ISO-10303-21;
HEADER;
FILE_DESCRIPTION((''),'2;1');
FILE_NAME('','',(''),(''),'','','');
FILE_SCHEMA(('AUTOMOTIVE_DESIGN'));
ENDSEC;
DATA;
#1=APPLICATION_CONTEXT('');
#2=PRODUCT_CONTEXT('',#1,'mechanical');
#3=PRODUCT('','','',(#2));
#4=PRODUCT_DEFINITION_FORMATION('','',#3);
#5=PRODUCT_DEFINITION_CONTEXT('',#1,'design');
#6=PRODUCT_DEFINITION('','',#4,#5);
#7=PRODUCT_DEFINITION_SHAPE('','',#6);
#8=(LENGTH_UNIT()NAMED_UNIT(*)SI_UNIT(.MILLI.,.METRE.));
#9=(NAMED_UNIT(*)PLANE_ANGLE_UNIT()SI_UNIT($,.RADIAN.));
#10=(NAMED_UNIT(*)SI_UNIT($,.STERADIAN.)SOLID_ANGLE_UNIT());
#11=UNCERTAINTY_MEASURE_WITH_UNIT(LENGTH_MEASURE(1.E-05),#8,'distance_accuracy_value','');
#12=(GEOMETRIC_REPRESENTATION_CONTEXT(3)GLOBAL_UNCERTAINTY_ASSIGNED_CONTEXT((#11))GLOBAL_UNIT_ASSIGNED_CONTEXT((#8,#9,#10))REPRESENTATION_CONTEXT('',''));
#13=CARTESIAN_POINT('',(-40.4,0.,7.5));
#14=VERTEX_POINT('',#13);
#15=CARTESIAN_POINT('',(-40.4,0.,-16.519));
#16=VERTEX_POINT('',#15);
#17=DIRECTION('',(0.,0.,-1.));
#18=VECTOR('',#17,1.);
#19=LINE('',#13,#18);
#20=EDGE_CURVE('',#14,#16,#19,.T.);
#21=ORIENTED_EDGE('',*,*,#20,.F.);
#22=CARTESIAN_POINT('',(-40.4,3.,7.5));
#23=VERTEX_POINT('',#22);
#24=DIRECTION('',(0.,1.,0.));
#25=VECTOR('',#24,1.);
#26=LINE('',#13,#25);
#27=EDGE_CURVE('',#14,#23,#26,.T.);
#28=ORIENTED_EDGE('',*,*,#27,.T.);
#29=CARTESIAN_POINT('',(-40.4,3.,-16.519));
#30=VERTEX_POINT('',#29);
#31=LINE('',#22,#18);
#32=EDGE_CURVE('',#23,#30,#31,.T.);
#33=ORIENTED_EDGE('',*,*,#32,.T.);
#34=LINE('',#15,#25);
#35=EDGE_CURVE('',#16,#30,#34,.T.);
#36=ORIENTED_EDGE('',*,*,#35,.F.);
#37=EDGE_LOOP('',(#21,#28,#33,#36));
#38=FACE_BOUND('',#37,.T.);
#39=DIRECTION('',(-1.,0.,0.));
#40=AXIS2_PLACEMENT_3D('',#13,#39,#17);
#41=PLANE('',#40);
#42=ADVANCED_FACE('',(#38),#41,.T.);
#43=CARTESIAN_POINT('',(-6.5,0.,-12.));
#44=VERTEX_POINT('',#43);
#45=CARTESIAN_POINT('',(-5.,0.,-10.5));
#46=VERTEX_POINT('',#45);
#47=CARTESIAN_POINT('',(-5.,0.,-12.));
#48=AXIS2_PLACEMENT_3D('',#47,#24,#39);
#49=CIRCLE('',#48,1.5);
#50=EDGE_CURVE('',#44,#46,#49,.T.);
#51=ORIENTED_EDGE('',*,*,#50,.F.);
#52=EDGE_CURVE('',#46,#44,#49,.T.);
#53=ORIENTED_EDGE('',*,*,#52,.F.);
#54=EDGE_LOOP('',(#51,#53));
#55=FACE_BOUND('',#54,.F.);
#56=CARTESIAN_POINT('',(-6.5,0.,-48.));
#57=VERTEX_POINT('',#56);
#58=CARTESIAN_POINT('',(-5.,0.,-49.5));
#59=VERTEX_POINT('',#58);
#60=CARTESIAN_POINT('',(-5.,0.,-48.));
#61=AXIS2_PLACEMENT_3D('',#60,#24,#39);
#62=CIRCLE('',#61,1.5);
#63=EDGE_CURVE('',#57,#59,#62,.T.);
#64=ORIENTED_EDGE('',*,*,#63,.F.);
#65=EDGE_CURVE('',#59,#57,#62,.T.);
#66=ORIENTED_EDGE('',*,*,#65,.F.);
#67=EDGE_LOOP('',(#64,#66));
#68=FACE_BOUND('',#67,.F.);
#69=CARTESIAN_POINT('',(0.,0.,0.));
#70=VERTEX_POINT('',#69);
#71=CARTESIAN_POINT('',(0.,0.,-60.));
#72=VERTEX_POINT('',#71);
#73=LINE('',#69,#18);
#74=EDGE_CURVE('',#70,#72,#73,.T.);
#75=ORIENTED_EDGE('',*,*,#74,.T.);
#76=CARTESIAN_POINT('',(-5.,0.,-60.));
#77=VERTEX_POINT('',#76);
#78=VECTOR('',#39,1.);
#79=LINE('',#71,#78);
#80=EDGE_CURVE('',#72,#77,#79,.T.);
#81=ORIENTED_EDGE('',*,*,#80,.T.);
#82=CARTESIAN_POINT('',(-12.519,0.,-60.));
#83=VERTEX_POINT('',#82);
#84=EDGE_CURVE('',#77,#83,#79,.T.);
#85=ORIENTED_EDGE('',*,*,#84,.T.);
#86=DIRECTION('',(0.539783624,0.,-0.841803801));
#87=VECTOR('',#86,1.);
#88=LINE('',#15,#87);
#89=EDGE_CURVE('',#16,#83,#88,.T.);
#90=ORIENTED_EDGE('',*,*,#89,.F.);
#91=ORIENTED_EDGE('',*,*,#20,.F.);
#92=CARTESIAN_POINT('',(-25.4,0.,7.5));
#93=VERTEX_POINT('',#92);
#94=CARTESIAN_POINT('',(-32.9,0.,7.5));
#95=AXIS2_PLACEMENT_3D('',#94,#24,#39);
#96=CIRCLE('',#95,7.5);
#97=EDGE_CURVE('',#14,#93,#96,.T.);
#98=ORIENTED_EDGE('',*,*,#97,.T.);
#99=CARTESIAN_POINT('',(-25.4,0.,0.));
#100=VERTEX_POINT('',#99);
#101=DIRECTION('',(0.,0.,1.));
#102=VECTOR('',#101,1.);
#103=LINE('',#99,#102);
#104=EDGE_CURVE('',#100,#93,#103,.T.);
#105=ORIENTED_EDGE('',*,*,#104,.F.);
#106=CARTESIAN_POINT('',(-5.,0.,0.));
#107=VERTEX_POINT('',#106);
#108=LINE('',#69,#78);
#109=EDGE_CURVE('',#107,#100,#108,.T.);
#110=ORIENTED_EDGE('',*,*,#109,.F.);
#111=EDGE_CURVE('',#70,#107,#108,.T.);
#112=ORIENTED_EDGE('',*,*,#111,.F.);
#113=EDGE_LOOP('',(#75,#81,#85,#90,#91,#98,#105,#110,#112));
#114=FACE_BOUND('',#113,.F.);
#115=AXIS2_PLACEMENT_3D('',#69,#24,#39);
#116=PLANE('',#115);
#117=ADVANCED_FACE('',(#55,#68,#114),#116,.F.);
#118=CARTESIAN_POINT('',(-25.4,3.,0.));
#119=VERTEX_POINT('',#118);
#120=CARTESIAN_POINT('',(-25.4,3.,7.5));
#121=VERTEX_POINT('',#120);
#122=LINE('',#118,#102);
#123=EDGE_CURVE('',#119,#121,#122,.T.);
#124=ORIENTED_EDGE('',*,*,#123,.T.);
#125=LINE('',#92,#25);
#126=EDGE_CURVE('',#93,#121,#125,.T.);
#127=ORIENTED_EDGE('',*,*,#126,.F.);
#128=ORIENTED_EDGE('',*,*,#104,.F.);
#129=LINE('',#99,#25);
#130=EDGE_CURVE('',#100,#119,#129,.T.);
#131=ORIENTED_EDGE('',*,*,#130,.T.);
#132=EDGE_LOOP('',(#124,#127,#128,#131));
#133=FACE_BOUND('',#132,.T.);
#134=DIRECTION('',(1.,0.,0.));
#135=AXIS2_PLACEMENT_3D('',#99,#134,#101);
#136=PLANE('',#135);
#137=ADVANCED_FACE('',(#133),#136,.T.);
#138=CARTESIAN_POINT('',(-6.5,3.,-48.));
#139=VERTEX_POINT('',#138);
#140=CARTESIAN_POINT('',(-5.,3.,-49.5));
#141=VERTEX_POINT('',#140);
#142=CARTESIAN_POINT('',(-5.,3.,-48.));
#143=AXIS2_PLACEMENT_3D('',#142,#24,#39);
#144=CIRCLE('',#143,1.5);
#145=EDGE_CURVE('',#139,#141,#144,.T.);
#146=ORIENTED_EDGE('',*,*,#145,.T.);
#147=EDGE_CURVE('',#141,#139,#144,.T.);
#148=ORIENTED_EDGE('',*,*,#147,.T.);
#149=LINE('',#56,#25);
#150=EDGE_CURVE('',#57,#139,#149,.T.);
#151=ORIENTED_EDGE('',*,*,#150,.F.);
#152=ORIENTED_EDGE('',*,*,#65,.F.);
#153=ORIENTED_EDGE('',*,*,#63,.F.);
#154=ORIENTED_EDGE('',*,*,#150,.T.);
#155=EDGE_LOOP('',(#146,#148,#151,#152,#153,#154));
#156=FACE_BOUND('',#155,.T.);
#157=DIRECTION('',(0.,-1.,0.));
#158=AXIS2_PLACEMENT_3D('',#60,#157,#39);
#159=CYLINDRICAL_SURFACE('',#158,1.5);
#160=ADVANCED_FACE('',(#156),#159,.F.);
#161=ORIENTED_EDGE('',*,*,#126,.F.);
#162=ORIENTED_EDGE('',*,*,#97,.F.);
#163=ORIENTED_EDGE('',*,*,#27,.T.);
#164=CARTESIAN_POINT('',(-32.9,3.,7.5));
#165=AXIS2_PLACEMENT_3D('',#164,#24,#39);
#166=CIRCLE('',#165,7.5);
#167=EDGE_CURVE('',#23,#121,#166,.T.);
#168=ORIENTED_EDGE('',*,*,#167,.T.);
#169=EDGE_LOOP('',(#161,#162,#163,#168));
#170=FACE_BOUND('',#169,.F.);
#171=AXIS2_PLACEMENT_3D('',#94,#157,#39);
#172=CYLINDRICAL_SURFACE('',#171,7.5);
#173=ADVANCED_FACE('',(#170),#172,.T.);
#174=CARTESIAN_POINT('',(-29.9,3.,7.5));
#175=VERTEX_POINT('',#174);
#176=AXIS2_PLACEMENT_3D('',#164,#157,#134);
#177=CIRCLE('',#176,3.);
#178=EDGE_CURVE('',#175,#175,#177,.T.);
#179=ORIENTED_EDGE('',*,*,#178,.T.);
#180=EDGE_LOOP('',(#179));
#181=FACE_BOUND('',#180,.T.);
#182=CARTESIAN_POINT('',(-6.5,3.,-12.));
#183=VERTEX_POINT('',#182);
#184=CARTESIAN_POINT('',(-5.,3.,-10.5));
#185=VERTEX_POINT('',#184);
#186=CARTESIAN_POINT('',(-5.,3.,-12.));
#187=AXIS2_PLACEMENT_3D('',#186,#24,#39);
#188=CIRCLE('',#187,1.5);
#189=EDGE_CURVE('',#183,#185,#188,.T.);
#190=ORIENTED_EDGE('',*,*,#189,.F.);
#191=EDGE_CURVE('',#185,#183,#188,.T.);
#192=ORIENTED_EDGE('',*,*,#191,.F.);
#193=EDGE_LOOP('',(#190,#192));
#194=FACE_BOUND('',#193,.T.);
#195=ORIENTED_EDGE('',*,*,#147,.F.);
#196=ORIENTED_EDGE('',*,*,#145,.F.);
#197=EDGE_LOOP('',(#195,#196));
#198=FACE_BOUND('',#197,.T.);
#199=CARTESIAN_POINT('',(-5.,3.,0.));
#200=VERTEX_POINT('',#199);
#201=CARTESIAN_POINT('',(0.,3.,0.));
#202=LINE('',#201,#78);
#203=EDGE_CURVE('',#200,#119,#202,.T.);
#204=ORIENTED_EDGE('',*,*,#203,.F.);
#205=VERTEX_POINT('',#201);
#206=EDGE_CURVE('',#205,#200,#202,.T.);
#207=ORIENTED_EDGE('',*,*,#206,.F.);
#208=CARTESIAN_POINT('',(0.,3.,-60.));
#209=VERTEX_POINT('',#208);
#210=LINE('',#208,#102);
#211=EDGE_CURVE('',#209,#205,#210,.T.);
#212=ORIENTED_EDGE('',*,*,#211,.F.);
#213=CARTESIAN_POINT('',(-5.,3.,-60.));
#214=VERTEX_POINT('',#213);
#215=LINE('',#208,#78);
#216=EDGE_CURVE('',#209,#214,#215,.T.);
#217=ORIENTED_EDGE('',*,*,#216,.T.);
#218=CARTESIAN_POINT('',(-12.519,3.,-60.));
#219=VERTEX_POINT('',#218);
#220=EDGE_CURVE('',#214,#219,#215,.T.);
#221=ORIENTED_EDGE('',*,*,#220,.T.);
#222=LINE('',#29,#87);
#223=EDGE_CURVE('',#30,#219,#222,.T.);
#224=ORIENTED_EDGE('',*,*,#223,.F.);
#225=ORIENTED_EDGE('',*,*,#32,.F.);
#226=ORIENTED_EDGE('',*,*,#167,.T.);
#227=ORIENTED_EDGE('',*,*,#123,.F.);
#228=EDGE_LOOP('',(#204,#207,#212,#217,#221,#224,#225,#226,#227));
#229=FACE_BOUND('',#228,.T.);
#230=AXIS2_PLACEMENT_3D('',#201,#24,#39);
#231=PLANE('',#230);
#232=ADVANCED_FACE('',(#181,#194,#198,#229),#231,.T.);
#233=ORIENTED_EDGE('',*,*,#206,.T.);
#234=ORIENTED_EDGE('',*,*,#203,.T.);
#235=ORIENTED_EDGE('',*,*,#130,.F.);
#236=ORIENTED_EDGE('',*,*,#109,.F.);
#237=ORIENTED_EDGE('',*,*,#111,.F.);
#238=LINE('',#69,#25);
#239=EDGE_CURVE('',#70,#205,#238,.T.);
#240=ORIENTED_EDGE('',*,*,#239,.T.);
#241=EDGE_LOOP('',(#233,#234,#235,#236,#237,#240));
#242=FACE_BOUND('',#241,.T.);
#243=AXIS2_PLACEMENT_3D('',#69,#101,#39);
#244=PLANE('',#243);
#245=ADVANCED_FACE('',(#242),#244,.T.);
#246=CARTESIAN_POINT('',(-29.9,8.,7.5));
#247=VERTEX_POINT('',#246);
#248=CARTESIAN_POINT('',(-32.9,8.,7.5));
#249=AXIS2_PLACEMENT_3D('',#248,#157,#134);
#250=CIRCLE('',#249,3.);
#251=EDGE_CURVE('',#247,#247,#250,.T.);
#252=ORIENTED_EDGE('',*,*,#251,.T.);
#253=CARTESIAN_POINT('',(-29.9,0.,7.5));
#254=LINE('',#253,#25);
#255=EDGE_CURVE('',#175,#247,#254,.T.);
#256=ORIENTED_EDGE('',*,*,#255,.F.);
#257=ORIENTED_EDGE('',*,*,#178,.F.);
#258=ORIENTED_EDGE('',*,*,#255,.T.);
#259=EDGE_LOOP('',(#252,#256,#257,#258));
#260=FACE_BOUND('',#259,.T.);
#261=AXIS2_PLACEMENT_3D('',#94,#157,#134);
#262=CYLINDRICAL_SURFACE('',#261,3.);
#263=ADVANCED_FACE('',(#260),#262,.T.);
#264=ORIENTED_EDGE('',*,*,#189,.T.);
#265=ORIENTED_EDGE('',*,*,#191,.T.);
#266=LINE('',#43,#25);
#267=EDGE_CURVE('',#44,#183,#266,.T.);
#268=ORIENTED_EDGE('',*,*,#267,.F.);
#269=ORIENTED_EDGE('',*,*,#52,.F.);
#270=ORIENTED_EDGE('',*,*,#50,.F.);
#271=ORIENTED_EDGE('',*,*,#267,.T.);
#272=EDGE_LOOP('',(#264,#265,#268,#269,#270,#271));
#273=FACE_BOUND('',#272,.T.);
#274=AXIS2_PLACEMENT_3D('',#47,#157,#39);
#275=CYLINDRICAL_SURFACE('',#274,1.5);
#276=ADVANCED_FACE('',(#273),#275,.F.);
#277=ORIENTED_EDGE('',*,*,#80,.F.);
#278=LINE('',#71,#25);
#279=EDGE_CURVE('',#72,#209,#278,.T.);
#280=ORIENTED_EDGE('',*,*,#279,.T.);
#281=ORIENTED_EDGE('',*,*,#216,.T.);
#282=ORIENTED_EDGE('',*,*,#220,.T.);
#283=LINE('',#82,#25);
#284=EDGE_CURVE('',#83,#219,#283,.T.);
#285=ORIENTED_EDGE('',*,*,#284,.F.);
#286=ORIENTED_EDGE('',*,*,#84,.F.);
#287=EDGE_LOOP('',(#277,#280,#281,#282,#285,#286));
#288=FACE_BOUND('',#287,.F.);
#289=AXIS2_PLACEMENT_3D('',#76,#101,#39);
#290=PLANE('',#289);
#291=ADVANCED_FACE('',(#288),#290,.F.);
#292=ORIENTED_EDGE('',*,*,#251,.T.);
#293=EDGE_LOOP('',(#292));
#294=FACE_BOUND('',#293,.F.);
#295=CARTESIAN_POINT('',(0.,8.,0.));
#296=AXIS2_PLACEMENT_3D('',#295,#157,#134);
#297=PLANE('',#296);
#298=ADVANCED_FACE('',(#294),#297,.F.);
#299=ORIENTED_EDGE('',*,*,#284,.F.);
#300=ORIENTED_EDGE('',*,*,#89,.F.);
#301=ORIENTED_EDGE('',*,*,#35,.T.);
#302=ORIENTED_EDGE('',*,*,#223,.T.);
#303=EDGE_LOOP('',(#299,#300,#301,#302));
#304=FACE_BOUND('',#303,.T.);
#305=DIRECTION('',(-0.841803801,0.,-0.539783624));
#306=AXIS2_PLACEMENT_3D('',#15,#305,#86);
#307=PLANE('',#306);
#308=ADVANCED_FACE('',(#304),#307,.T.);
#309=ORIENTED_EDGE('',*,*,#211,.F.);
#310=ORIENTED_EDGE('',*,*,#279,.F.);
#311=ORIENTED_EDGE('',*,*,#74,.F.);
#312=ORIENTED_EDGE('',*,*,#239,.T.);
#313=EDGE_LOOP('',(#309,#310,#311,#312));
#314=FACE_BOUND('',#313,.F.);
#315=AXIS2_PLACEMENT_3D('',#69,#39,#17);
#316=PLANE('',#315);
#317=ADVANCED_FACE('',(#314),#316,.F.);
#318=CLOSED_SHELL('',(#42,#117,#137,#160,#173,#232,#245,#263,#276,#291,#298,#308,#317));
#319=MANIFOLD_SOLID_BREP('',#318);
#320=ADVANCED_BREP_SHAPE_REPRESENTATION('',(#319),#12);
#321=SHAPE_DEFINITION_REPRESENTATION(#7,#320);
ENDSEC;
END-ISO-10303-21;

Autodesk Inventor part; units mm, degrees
ref_plane "YZ Plane" through (0, 0, 0) normal (1, 0, 0) x (0, 1, 0)
ref_plane "XZ Plane" through (0, 0, 0) normal (0, 1, 0) x (-1, 0, 0)
ref_plane "XY Plane" through (0, 0, 0) normal (0, 0, 1) x (1, 0, 0)
sketch "Sketch3" plane through (0, 0, 0) normal (0, 1, 0) x (-1, 0, 0)
  line L0 (0, 0) -> (0, -60)
  line L1 (0, 0) -> (60, 0) construction
  line L2 (0, -60) -> (12.519, -60)
  line L3 (0, 0) -> (25.4, 0)
  line L4 (25.4, 0) -> (25.4, 7.5)
  line L5 (25.4, 7.5) -> (40.4, 7.5)
  circle A0 centre (32.9, 7.5) radius 7.5
  circle A1 centre (32.9, 7.5) radius 3
  line L6 (40.4, 7.5) -> (40.4, -16.519)
  line L7 (40.4, -16.519) -> (12.519, -60)
  line L8 (0, -30) -> (5, -30)
  line L9 (5, -60) -> (5, -48)
  line L10 (5, 0) -> (5, -12)
  circle A2 centre (5, -12) radius 1.5
  circle A3 centre (5, -48) radius 1.5
  dimension "d6" = 60
  dimension "d7" = 90
  dimension "d8" = 12.519
  dimension "d9" = 25.4
  dimension "d10" = 7.5
  dimension "d11" = 15
  dimension "d12" = 6
  dimension "d13" = 24.019
  dimension "d18" = 5
  dimension "d19" = 12
  dimension "d20" = 12
  dimension "d21" = 3
  dimension "d22" = 3
extrude "Extrusion1" add sketch "Sketch3" along normal blind 3 contours L3 L4 A0 L6 L7 L2 L0 | A0 L5 A1 | L5 A1 A0 | L5 A1 picked at (33.8145, 6.796)
sketch "Sketch4" plane through (0, 0, 0) normal (0, -1, 0) x (1, 0, 0)
  line L0 (-35.9, 7.5) -> (-29.9, 7.5) projected
  line L1 (-29.9, 7.5) -> (-35.9, 7.5) projected
  circle A0 centre (-32.9, 7.5) radius 3
  point P0 (0, 0)
extrude "Extrusion2" add sketch "Sketch4" against normal blind 8
properties part number "sideShaftShort"
